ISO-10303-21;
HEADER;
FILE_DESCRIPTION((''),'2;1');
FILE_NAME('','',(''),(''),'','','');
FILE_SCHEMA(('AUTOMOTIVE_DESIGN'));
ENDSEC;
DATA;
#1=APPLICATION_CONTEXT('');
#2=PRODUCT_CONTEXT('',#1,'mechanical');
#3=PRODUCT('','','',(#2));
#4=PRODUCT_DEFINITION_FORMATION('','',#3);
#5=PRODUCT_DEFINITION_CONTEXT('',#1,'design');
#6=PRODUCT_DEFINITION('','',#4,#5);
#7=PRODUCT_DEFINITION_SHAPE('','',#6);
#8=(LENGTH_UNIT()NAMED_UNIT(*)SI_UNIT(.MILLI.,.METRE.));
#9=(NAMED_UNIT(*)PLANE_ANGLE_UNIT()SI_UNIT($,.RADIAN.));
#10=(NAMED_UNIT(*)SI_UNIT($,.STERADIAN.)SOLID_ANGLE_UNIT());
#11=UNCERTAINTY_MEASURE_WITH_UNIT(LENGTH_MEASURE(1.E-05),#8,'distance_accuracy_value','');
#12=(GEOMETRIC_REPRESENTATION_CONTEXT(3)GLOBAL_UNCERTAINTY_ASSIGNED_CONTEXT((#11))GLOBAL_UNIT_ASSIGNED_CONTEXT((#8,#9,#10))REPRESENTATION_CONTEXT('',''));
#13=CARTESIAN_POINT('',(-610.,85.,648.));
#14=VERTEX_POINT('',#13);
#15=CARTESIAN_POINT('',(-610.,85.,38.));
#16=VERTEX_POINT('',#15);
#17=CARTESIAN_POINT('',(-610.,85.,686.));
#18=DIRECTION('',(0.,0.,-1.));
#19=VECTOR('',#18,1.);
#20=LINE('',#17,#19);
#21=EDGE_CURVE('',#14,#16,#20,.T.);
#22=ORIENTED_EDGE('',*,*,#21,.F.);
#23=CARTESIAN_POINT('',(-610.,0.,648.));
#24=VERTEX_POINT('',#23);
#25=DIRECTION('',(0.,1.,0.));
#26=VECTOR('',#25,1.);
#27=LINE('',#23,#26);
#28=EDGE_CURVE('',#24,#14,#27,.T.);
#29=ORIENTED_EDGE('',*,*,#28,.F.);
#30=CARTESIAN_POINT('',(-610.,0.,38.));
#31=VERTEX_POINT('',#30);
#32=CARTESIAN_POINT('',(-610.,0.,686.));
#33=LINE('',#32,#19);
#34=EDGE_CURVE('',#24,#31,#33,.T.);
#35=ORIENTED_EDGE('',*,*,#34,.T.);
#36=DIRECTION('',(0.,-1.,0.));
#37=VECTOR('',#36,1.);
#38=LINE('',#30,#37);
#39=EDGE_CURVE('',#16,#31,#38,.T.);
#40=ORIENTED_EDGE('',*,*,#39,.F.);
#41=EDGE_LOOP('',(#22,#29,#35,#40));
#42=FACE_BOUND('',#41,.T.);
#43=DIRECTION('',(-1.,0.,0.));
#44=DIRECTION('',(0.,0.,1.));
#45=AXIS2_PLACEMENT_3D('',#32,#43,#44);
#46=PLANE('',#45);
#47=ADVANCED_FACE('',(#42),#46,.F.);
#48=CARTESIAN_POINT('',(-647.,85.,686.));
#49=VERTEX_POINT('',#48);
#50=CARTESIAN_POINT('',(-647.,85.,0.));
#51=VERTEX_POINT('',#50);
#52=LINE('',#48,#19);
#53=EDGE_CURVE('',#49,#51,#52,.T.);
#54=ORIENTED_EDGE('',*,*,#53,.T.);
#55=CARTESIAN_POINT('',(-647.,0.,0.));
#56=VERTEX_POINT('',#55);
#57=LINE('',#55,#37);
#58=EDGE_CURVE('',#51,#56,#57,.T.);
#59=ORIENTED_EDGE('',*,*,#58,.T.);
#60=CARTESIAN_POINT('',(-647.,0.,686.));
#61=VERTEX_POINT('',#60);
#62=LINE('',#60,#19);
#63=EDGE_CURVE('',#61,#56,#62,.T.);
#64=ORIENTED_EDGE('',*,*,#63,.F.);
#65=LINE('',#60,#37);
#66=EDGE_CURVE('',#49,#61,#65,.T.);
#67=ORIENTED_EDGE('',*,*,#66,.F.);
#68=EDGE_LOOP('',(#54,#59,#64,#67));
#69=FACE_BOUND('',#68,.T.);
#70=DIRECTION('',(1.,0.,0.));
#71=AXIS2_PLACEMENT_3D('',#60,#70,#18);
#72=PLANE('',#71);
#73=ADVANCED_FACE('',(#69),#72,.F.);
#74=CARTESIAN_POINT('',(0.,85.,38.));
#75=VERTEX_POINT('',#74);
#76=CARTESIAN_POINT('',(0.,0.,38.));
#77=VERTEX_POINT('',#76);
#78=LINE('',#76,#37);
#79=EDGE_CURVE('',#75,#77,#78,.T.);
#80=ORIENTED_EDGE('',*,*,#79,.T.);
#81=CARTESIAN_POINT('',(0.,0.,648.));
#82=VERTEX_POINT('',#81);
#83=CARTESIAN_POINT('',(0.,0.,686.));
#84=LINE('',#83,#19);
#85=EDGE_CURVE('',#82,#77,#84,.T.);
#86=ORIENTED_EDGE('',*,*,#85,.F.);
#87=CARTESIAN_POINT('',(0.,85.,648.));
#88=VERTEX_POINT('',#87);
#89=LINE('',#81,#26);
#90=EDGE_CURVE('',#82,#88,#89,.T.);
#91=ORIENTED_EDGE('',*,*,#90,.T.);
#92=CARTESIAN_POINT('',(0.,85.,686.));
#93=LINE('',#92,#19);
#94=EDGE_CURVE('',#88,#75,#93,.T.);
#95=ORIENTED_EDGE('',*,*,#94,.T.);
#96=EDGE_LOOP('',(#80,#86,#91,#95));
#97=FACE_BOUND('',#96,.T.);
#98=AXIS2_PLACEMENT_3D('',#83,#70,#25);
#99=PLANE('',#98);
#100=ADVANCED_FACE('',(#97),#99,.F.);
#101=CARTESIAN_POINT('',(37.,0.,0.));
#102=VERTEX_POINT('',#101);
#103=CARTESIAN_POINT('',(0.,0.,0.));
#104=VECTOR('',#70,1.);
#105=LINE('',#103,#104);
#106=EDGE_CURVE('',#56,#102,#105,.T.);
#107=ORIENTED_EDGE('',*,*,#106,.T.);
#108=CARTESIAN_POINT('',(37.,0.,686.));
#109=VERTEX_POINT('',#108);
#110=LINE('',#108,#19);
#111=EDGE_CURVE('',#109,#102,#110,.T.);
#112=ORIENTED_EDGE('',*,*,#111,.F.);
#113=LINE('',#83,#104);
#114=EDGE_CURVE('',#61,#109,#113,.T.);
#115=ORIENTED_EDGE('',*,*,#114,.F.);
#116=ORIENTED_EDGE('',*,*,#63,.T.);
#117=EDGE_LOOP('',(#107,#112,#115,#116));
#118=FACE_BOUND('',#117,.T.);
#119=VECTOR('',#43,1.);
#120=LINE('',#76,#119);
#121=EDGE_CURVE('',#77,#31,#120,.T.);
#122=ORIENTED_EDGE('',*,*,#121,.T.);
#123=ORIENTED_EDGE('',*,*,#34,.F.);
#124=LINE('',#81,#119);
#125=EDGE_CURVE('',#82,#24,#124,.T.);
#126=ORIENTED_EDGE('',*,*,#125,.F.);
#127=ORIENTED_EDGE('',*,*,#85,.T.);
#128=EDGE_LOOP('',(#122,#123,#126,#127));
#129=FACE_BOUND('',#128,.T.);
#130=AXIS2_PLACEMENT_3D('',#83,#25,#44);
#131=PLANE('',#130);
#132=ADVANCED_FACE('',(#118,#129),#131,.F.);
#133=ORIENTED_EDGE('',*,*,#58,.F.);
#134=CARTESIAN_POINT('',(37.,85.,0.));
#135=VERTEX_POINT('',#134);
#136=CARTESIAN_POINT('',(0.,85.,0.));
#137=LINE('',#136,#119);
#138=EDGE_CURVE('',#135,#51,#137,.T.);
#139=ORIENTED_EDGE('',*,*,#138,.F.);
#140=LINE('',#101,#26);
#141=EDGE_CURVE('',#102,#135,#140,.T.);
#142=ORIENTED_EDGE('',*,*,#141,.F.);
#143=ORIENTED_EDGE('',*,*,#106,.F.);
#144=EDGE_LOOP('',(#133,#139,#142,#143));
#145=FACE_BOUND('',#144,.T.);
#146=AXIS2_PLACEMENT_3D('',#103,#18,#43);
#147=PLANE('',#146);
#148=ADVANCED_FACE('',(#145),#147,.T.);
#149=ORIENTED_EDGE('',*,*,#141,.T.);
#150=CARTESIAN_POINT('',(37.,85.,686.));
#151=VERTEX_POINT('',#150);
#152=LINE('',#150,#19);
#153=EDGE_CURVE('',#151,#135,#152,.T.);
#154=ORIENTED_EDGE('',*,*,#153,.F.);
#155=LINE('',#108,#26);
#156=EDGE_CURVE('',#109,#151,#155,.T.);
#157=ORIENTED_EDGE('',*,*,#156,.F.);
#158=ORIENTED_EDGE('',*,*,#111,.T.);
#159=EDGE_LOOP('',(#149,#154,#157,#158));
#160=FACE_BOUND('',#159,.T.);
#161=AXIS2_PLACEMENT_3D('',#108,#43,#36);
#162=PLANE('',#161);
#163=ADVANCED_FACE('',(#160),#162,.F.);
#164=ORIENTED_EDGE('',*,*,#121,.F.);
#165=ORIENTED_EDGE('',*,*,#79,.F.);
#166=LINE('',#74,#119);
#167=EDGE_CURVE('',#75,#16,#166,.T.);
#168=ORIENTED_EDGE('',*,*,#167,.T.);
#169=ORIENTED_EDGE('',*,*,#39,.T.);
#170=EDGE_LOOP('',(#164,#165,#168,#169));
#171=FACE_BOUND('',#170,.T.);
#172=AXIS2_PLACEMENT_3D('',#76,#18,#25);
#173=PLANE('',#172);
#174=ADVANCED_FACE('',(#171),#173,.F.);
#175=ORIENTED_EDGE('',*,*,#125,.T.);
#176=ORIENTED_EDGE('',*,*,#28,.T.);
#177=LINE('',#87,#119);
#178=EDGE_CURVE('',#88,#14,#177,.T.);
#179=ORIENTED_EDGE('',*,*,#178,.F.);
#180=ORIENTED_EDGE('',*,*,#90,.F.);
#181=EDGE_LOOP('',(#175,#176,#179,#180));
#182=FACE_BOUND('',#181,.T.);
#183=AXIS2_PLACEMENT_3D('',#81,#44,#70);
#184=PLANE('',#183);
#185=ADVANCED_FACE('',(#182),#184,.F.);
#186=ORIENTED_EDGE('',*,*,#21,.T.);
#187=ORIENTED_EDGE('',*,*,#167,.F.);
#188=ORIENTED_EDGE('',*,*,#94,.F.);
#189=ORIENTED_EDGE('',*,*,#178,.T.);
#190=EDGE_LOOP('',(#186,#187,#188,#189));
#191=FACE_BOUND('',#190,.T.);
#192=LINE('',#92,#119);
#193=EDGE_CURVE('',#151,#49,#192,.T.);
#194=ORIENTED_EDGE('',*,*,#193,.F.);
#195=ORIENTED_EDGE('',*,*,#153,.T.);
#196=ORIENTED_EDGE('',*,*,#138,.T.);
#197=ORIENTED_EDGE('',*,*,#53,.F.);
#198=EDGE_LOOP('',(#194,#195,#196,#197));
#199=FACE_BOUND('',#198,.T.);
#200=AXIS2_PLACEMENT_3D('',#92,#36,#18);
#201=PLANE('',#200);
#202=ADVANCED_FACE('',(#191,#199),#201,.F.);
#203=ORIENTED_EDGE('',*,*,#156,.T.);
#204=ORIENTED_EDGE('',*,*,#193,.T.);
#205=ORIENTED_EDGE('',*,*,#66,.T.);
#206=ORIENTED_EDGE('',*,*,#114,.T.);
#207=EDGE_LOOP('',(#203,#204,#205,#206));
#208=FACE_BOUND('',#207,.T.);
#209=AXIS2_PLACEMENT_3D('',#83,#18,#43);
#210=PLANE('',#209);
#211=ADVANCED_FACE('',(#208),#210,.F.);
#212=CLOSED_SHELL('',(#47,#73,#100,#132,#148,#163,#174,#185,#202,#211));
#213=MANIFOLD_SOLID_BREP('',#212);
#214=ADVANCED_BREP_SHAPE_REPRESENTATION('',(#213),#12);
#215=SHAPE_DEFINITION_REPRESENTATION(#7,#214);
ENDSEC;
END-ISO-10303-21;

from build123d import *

# Parameters (mm, degrees)
SKETCH1_W             = 37
SKETCH1_H             = 85
BOSS_EXTRUDE1_DEPTH   = 686
BOSS_EXTRUDE1_2_DEPTH = 686
SKETCH2_W             = 38
SKETCH2_H             = 85
BOSS_EXTRUDE2_DEPTH   = 610


with BuildPart() as part:
    # Sketch1 → Boss-Extrude1 (new body)
    with BuildSketch(Plane.XY):
        with Locations((18.5, 42.5)):
            Rectangle(SKETCH1_W, SKETCH1_H)
    extrude(amount=BOSS_EXTRUDE1_DEPTH)



with BuildPart() as body_2:
    # Sketch1 → Boss-Extrude1 2 (new body)
    with BuildSketch(Plane.XY):
        with Locations((-628.5, 42.5)):
            Rectangle(SKETCH1_W, SKETCH1_H)
    extrude(amount=BOSS_EXTRUDE1_2_DEPTH)


with BuildPart() as part_1:
    add(part.part)

    add(body_2.part)  # Boss-Extrude2 merges body 2
    # Sketch2 → Boss-Extrude2 (add)
    with BuildSketch(Plane(origin=(-610, 0, 0), x_dir=(0, 0, -1), z_dir=(1, 0, 0))):
        with Locations((-667, 42.5)):
            Rectangle(SKETCH2_W, SKETCH2_H)
        with Locations((-19, 42.5)):
            Rectangle(SKETCH2_W, SKETCH2_H)
    extrude(amount=BOSS_EXTRUDE2_DEPTH)


solid = part_1.part
